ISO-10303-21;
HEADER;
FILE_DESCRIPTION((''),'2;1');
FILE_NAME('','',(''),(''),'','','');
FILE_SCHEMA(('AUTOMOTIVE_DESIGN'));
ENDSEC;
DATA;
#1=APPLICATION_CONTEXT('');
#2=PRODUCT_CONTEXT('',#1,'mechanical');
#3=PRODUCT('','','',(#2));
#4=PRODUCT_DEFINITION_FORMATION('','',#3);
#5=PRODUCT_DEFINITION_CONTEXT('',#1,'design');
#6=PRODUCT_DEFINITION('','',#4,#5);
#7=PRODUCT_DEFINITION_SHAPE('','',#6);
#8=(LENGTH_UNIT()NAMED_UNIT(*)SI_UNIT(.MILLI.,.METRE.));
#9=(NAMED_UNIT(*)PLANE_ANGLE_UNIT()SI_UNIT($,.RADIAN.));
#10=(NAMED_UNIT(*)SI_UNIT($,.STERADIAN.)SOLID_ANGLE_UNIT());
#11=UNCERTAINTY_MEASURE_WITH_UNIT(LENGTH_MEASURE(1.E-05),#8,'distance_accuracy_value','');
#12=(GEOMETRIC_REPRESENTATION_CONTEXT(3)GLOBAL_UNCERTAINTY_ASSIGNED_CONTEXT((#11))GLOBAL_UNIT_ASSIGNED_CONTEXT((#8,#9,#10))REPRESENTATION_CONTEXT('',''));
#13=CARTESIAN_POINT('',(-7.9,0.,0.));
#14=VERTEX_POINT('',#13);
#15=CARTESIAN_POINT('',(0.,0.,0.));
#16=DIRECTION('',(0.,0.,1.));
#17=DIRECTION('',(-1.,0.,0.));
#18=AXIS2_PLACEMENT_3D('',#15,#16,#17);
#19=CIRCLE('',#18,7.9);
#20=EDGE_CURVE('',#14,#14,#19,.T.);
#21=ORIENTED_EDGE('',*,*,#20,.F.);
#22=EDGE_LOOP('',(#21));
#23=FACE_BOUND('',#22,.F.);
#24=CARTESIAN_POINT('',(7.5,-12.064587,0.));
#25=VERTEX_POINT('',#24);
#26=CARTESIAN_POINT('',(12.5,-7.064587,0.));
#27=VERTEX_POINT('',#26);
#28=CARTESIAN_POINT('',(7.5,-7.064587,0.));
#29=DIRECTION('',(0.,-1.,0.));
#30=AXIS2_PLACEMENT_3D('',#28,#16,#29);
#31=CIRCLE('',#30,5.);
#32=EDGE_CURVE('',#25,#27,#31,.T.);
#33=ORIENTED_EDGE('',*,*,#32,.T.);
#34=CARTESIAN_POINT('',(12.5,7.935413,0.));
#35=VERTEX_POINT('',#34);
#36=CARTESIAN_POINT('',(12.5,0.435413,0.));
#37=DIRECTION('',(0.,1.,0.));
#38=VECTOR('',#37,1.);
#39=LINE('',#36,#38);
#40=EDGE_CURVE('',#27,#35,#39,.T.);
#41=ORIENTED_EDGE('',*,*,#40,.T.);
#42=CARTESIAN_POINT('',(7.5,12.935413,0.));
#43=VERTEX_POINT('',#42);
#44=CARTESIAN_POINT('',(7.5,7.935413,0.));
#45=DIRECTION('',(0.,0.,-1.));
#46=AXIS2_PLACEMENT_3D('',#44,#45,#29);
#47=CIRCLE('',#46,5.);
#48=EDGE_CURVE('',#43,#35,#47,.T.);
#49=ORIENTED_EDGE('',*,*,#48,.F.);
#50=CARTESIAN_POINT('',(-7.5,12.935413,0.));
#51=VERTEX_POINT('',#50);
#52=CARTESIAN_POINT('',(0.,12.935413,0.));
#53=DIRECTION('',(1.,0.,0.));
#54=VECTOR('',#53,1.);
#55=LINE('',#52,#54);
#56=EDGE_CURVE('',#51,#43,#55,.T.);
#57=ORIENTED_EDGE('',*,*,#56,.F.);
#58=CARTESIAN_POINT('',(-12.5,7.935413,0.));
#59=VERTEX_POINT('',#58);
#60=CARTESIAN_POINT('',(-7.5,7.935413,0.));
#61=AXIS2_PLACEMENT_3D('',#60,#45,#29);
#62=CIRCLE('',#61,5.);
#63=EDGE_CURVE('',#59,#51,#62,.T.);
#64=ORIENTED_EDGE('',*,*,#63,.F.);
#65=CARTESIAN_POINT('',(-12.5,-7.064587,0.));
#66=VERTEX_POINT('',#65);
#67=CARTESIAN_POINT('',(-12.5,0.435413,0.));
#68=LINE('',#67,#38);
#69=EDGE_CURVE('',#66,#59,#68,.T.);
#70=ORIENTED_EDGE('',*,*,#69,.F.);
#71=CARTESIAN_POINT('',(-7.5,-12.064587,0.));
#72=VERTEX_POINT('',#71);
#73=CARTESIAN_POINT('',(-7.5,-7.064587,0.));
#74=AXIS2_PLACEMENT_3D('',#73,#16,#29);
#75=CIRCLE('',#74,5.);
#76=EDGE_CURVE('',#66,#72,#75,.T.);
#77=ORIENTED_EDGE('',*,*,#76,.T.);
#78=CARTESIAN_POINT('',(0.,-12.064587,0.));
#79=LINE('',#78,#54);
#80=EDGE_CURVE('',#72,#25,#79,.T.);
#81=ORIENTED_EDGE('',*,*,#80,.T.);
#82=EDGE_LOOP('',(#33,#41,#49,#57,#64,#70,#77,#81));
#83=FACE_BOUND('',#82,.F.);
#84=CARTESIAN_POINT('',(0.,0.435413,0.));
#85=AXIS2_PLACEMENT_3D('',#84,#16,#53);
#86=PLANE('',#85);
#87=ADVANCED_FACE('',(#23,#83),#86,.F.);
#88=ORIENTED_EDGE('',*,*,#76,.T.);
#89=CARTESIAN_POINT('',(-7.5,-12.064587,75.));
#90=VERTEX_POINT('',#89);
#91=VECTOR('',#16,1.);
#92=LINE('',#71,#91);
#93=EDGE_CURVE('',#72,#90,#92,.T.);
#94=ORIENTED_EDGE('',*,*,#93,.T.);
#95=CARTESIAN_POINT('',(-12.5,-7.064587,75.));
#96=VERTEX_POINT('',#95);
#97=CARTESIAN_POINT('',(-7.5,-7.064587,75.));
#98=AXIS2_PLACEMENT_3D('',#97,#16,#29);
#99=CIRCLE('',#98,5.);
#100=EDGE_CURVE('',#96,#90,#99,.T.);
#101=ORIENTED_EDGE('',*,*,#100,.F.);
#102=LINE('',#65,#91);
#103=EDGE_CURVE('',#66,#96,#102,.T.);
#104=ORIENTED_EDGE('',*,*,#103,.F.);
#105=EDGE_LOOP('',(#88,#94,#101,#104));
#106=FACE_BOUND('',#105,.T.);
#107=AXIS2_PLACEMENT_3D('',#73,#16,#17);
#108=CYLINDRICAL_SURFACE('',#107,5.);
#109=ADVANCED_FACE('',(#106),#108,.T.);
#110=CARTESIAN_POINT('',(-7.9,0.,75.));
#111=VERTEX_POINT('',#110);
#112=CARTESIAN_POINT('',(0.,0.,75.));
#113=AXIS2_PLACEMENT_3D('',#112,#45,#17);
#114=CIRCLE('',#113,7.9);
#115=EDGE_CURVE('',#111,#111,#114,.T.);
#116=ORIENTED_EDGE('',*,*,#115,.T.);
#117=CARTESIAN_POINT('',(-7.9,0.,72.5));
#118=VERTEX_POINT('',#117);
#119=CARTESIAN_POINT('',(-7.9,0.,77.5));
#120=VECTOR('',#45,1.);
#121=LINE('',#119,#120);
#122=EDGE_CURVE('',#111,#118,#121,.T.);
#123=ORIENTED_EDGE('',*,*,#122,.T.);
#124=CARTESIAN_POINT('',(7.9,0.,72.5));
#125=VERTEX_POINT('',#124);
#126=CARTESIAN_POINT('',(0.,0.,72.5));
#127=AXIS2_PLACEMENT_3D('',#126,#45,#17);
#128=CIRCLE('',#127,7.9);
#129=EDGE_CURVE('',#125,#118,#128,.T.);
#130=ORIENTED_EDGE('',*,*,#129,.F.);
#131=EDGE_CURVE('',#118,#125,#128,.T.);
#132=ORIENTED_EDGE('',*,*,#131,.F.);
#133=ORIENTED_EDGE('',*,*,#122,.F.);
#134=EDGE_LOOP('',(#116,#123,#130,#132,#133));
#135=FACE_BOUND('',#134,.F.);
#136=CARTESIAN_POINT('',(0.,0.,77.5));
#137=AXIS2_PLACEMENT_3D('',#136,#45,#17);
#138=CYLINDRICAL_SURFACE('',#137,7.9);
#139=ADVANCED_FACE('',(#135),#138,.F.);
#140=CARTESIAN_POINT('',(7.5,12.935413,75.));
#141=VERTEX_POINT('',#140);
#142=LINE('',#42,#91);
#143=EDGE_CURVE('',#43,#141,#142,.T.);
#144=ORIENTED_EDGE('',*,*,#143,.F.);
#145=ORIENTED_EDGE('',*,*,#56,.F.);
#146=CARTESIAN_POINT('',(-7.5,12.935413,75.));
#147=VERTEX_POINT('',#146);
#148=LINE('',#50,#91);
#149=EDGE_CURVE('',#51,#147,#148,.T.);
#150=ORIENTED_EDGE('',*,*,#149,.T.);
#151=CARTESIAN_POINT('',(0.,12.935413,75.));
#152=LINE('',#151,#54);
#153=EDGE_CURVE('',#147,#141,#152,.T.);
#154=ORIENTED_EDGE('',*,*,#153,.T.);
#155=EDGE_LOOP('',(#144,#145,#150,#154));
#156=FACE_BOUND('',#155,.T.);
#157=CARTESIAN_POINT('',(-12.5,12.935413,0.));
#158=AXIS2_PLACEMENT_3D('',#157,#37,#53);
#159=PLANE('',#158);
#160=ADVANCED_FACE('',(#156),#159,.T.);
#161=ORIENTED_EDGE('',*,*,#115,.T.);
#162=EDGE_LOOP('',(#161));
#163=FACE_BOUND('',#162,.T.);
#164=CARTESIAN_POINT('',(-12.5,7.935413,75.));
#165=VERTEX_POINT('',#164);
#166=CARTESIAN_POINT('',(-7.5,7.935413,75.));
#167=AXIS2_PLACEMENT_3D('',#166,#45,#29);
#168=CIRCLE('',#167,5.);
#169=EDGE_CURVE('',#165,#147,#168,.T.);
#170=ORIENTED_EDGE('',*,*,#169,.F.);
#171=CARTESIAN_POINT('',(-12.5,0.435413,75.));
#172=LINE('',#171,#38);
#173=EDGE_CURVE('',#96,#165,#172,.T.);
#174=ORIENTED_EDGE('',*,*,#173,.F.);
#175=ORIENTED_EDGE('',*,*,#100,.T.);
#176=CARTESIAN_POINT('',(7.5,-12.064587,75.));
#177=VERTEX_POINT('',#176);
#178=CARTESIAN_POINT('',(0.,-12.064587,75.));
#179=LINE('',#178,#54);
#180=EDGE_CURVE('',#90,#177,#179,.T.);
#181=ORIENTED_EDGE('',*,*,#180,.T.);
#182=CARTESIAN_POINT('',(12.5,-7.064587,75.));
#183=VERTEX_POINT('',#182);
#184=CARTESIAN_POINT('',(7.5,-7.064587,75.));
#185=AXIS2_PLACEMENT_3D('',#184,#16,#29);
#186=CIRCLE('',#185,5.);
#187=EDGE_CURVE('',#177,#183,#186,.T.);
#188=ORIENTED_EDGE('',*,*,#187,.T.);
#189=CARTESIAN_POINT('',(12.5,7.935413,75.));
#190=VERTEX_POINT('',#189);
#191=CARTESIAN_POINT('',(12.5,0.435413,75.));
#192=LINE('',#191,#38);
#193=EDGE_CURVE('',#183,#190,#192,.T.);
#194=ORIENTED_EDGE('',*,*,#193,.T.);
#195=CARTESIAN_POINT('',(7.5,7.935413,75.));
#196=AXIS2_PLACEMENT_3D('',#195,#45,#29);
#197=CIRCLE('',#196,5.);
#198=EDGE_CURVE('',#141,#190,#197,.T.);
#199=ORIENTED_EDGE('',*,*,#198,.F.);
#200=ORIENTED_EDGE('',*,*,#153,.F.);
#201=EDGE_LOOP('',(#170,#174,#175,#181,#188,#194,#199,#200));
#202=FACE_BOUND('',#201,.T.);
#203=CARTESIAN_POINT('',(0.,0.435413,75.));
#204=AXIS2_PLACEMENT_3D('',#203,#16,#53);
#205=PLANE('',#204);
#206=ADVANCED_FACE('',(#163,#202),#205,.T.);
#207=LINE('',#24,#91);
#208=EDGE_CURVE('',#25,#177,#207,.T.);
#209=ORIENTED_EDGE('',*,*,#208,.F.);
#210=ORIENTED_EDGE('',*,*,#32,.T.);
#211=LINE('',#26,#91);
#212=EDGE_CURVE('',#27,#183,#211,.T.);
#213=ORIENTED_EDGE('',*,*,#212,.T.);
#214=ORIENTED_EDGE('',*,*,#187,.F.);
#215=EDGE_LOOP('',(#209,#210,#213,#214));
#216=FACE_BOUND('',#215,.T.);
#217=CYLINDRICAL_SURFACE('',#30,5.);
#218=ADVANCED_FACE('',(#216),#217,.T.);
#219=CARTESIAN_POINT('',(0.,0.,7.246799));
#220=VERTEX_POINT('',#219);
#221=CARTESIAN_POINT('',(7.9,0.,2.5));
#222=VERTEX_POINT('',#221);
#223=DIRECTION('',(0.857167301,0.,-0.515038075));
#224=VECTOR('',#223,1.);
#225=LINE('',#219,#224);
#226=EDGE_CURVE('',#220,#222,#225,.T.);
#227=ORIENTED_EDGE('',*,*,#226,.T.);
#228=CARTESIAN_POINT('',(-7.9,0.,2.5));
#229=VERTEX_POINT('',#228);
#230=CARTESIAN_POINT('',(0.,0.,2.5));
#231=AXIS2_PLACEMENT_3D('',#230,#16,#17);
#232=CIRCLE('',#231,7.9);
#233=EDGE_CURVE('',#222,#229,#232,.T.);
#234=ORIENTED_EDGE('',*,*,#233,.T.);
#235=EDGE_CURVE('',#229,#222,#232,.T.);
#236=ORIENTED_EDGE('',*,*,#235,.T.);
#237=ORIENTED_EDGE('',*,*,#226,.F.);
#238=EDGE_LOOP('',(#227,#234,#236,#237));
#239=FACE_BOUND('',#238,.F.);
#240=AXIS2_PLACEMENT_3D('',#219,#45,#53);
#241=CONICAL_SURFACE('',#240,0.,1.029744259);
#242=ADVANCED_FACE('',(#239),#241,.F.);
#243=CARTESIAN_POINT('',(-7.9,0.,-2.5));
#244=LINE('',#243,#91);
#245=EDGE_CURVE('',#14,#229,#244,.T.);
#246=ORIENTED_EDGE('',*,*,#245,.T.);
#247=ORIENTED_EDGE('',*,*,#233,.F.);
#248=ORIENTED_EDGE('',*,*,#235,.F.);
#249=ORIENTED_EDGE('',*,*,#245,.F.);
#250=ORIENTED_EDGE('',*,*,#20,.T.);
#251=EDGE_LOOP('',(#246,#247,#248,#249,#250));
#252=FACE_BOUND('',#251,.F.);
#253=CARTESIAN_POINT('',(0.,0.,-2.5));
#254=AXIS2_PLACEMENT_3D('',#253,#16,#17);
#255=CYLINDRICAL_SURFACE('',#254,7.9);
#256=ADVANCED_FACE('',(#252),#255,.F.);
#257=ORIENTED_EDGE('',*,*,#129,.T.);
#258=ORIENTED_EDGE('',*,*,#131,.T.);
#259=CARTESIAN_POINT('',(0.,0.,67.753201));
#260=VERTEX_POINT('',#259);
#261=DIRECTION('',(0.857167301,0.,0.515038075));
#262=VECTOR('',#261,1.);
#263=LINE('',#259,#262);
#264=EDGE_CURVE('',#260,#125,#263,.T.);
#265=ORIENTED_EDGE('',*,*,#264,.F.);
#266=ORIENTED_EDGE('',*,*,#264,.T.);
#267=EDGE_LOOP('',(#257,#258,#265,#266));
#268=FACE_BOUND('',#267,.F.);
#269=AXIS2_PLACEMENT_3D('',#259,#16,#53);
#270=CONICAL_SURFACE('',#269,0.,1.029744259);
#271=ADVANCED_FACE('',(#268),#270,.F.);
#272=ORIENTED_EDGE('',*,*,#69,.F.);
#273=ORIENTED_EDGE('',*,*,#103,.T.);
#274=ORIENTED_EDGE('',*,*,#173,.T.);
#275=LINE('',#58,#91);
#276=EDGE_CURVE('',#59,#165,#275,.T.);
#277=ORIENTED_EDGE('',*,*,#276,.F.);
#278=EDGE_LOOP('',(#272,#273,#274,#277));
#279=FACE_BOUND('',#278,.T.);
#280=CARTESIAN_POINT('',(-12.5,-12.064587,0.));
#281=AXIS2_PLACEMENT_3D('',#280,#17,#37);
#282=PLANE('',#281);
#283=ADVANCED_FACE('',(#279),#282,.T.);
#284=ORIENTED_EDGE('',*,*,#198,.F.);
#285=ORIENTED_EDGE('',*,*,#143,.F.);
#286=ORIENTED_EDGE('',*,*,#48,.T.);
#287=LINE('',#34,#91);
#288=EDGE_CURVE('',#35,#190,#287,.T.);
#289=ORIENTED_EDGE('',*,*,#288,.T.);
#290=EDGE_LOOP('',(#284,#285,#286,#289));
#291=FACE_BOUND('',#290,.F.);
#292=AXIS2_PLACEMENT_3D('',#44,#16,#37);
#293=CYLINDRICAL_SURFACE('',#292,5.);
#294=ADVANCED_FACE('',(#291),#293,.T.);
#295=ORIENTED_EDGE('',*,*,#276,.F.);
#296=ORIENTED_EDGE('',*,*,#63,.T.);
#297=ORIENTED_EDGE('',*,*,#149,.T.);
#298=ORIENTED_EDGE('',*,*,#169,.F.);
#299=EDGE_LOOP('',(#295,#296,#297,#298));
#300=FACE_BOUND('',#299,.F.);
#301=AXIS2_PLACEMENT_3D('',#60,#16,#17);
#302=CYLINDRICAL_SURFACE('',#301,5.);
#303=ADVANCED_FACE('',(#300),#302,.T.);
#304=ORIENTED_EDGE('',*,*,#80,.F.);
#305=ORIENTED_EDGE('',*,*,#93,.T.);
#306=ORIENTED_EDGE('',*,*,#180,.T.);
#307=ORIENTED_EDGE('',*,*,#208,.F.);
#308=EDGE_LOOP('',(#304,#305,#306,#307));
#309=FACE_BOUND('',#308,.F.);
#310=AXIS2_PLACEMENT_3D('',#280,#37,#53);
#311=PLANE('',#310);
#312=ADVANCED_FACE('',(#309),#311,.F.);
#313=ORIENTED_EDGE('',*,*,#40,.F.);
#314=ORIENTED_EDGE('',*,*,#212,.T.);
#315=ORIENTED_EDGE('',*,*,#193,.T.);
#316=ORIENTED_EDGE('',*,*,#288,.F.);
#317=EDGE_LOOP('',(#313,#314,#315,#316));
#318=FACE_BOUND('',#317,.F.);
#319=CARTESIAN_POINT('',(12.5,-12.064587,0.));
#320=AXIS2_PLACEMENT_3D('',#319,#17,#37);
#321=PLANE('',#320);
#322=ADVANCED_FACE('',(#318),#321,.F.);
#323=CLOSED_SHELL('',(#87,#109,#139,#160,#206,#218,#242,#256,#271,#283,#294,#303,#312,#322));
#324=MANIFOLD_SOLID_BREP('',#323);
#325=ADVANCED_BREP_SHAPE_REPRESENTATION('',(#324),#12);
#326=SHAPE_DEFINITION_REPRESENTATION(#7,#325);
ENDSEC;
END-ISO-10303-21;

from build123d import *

# Parameters (mm, degrees)
F0_W     = 25
F0_H     = 25
F1_DEPTH = 75
F4_D     = 15.8
F4_DEPTH = 2.5
F4_TIP   = 4.7467988903
F5_D     = 15.8
F5_DEPTH = 2.5
F5_TIP   = 4.7467988903
F6_R     = 5


with BuildPart() as f1:
    # F0 (on Top) → F1 (new body)
    with BuildSketch(Plane.XY):
        with Locations((0, 0.4354127725)):
            Rectangle(F0_W, F0_H)
    extrude(amount=F1_DEPTH)

    # F4
    with Locations(Plane(origin=(0, 0, 0), x_dir=(1, 0, 0), z_dir=(0, 0, -1))):
        with Locations((0, 0)):
            Hole(F4_D / 2, depth=F4_DEPTH)
            with Locations((0, 0, -(F4_DEPTH + F4_TIP / 2))):  # 118° drill point
                Cone(0, F4_D / 2, F4_TIP, mode=Mode.SUBTRACT)

    # F5
    with Locations(Plane.XY.offset(75)):
        with Locations((0, 0)):
            Hole(F5_D / 2, depth=F5_DEPTH)
            with Locations((0, 0, -(F5_DEPTH + F5_TIP / 2))):  # 118° drill point
                Cone(0, F5_D / 2, F5_TIP, mode=Mode.SUBTRACT)

    # F6
    f6_edges = [f1.edges().sort_by_distance(p)[0] for p in [
        (-12.5, 12.935413, 37.5),
        (-12.5, -12.064587, 37.5),
        (12.5, -12.064587, 37.5),
        (12.5, 12.935413, 37.5),
    ]]
    fillet(f6_edges, radius=F6_R)


solid = f1.part
